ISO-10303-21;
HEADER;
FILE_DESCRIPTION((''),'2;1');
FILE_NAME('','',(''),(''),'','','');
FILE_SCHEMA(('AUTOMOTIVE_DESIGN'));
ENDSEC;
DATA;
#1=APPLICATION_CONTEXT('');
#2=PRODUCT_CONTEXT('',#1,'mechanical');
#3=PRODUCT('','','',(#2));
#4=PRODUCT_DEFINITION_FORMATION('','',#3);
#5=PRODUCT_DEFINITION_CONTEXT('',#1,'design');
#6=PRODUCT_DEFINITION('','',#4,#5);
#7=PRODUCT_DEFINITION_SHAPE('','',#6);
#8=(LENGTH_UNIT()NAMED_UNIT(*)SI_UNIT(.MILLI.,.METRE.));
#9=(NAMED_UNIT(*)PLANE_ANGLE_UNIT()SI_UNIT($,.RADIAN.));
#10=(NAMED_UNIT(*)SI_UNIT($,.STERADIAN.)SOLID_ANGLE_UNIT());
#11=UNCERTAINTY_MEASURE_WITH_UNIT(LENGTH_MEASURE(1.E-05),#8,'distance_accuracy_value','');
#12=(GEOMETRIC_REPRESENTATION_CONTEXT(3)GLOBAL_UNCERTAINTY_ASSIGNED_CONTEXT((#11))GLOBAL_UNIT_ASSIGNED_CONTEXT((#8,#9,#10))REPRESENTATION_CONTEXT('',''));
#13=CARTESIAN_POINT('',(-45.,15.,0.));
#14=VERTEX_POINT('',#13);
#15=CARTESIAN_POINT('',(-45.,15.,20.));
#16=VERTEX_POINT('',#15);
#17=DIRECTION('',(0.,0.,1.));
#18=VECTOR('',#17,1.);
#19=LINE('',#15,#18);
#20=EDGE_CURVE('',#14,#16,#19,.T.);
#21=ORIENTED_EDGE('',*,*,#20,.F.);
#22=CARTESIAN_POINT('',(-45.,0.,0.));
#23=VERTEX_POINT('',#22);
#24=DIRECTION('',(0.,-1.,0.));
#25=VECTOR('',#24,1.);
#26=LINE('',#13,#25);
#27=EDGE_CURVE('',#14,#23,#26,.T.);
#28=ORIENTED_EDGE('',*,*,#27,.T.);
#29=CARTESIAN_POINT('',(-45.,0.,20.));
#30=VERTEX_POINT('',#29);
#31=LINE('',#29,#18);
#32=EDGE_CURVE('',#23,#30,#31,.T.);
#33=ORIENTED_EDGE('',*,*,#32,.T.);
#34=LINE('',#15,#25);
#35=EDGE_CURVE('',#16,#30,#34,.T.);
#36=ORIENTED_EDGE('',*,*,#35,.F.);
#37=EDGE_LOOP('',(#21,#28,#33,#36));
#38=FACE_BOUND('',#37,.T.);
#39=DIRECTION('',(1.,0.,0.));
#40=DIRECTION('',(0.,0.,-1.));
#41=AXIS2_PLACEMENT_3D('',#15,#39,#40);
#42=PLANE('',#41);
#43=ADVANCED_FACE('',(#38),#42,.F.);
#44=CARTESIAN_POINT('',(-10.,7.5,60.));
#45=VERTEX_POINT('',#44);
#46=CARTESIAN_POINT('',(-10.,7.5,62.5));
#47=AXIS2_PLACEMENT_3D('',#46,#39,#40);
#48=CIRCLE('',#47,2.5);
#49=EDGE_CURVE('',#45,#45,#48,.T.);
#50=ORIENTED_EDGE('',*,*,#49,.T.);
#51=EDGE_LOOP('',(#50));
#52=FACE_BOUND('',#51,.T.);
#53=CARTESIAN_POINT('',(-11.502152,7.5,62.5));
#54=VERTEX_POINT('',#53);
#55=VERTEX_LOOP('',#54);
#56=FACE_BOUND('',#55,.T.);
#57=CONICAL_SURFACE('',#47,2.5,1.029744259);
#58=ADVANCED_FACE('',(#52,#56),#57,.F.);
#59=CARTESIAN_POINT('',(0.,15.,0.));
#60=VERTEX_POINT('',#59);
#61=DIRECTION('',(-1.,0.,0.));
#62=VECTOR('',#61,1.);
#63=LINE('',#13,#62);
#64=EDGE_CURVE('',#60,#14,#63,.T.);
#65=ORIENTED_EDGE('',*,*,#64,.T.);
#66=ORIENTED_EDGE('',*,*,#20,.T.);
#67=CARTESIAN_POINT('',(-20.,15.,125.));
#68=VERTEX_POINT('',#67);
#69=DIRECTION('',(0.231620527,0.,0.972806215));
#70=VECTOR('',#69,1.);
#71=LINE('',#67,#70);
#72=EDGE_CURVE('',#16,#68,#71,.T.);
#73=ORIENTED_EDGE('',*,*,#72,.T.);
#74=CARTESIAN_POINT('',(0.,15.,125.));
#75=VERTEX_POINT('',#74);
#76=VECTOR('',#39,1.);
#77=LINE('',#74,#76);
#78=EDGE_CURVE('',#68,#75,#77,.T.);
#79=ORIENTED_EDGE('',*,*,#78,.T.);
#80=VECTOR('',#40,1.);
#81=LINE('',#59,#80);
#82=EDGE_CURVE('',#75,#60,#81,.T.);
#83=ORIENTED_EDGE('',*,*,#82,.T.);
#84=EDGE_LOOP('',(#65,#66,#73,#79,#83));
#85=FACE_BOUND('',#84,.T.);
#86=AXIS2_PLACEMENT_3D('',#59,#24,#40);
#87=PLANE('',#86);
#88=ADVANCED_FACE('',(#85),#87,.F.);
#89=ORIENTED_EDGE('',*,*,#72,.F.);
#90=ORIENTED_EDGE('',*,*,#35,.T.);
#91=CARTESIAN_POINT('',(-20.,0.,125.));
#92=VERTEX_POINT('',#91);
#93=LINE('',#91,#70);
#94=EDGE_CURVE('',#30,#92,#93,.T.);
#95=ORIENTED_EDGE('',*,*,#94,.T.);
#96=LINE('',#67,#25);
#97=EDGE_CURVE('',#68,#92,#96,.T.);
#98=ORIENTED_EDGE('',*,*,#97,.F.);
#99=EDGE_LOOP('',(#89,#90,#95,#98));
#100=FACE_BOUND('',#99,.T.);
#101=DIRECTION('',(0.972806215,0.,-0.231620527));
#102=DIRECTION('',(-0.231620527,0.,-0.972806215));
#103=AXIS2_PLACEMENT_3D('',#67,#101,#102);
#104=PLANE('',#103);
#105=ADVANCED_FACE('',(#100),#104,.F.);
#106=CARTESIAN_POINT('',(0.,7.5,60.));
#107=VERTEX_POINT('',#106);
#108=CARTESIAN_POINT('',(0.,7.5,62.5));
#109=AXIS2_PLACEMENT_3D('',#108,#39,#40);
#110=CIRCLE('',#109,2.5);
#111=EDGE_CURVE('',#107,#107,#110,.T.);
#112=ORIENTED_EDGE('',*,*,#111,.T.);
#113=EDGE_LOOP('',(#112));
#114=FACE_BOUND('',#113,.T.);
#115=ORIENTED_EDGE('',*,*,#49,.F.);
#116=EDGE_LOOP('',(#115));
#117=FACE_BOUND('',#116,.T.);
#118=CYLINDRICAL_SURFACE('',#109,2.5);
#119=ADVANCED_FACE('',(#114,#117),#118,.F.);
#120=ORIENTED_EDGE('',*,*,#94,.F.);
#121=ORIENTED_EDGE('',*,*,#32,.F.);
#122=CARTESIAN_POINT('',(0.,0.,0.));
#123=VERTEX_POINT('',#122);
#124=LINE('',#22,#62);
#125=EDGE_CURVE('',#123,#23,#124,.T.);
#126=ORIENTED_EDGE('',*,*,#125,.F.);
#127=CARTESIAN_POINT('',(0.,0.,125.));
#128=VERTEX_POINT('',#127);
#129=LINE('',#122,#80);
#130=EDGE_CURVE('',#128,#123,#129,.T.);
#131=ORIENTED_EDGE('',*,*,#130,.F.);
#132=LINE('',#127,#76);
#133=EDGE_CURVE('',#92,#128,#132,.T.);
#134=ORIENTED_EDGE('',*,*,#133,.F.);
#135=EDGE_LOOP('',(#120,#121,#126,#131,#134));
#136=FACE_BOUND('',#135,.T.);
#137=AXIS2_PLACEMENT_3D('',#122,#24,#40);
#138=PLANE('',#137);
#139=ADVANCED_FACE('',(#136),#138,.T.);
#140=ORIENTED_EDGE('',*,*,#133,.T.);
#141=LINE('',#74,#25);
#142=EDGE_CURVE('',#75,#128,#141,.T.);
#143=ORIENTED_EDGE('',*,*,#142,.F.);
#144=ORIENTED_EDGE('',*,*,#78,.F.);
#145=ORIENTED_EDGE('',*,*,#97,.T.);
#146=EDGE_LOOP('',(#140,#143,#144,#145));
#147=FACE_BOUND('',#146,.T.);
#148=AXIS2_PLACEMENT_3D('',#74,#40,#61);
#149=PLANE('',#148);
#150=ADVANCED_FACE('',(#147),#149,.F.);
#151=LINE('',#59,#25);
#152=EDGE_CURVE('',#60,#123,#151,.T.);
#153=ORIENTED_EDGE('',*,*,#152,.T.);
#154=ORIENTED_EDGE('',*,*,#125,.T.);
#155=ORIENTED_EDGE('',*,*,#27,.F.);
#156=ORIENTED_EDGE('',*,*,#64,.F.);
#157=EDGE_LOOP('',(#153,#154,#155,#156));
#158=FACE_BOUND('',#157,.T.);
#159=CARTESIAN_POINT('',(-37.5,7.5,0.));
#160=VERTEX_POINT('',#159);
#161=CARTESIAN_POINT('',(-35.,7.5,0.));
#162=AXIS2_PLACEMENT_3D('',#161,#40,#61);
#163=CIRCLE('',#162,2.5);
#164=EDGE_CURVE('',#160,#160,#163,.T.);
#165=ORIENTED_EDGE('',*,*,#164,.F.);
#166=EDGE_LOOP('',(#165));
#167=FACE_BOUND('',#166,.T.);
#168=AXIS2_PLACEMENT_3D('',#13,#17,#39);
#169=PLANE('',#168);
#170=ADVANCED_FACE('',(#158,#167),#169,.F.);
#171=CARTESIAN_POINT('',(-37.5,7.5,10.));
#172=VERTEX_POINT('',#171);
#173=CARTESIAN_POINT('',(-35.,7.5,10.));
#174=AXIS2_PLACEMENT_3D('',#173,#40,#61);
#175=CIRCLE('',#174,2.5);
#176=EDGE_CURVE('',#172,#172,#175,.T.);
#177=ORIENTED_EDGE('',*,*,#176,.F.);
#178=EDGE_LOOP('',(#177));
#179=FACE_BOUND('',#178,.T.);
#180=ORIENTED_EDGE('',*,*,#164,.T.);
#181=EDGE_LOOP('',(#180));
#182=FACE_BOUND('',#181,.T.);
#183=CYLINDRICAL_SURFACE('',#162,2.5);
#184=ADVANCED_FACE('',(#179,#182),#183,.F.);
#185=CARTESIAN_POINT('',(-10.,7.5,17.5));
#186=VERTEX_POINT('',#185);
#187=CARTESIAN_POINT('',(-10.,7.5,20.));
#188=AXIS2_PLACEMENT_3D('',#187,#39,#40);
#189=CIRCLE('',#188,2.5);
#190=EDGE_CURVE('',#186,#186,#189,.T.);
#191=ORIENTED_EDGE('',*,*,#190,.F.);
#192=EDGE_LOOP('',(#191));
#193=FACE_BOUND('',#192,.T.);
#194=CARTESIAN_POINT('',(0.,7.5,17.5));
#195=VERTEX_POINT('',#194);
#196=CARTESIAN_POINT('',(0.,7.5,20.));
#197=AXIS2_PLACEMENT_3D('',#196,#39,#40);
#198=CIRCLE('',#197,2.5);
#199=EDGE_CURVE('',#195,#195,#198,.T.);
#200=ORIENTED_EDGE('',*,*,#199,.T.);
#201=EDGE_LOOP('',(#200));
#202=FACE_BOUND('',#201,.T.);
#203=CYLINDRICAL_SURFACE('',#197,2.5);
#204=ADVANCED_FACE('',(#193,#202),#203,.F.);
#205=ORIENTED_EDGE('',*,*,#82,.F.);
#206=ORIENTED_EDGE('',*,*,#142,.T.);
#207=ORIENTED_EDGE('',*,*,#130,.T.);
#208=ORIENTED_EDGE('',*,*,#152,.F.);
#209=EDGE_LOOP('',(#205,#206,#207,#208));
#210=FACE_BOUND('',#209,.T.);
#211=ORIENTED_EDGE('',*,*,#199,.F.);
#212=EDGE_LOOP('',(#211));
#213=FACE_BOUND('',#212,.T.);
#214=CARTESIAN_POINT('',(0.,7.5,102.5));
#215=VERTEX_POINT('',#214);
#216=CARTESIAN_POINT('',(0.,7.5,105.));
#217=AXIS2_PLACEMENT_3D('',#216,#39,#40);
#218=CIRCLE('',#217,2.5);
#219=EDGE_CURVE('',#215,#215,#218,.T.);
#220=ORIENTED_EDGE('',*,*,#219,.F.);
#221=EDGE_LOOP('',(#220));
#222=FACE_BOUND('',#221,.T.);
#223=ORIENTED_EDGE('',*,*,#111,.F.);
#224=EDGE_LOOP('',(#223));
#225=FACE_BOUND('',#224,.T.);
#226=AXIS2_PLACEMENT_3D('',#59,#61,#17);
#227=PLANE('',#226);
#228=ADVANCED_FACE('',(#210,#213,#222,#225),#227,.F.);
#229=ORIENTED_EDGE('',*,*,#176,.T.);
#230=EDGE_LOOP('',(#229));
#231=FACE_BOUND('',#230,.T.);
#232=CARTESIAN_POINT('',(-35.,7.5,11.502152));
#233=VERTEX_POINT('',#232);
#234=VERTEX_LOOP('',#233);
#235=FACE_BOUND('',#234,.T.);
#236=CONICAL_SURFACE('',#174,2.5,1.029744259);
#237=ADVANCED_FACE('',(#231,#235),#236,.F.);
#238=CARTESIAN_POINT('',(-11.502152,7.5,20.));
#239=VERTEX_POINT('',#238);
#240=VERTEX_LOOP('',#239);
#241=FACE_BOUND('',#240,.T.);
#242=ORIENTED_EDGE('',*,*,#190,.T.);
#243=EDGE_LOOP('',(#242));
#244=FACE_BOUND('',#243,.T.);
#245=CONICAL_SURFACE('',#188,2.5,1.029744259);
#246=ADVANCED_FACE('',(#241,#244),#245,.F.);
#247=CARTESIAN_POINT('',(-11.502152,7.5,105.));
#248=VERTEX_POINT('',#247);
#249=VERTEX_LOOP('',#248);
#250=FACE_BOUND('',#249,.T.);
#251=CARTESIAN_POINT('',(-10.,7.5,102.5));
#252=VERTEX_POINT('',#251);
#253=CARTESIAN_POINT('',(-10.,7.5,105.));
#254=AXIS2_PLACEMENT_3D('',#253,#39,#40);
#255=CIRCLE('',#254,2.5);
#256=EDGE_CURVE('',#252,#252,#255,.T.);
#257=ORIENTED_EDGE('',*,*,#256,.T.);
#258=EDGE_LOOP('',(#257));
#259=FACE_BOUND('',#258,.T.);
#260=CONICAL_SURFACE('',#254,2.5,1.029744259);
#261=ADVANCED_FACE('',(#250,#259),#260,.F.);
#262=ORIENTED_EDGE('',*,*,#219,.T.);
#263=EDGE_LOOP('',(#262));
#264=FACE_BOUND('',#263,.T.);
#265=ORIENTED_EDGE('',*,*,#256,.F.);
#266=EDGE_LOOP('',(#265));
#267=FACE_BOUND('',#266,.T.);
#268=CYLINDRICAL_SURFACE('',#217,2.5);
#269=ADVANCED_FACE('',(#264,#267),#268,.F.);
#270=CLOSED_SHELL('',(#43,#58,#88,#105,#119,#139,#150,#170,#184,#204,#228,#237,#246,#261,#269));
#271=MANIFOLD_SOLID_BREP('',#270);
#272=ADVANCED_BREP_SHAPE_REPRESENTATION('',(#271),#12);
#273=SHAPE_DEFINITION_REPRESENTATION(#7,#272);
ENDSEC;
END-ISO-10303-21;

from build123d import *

# Parameters (mm, degrees)
BOSS_EXTRUDE1_DEPTH   = 15
M6_TAPPED_HOLE1_D     = 5
M6_TAPPED_HOLE1_DEPTH = 10
M6_TAPPED_HOLE1_TIP   = 1.502151548
M6_TAPPED_HOLE2_D     = 5
M6_TAPPED_HOLE2_DEPTH = 10
M6_TAPPED_HOLE2_TIP   = 1.502151548


with BuildPart() as part:
    # Sketch1 → Boss-Extrude1 (new body)
    with BuildSketch(Plane(origin=(0, 0, 0), x_dir=(1, 0, 0), z_dir=(0, 1, 0))):
        Polygon((0, 0), (0, -125), (-20, -125), (-45, -20), (-45, 0), align=None)
    extrude(amount=BOSS_EXTRUDE1_DEPTH)

    # M6 Tapped Hole1
    with Locations(Plane(origin=(0, 0, 0), x_dir=(-1, 0, 0), z_dir=(0, 0, -1))):
        with Locations((35, 7.5)):
            Hole(M6_TAPPED_HOLE1_D / 2, depth=M6_TAPPED_HOLE1_DEPTH)
            with Locations((0, 0, -(M6_TAPPED_HOLE1_DEPTH + M6_TAPPED_HOLE1_TIP / 2))):  # 118° drill point
                Cone(0, M6_TAPPED_HOLE1_D / 2, M6_TAPPED_HOLE1_TIP, mode=Mode.SUBTRACT)

    # M6 Tapped Hole2
    with Locations(Plane(origin=(0, 0, 0), x_dir=(0, 0, -1), z_dir=(1, 0, 0))):
        with Locations((-105, 7.5), (-62.5, 7.5), (-20, 7.5)):
            Hole(M6_TAPPED_HOLE2_D / 2, depth=M6_TAPPED_HOLE2_DEPTH)
            with Locations((0, 0, -(M6_TAPPED_HOLE2_DEPTH + M6_TAPPED_HOLE2_TIP / 2))):  # 118° drill point
                Cone(0, M6_TAPPED_HOLE2_D / 2, M6_TAPPED_HOLE2_TIP, mode=Mode.SUBTRACT)


solid = part.part
